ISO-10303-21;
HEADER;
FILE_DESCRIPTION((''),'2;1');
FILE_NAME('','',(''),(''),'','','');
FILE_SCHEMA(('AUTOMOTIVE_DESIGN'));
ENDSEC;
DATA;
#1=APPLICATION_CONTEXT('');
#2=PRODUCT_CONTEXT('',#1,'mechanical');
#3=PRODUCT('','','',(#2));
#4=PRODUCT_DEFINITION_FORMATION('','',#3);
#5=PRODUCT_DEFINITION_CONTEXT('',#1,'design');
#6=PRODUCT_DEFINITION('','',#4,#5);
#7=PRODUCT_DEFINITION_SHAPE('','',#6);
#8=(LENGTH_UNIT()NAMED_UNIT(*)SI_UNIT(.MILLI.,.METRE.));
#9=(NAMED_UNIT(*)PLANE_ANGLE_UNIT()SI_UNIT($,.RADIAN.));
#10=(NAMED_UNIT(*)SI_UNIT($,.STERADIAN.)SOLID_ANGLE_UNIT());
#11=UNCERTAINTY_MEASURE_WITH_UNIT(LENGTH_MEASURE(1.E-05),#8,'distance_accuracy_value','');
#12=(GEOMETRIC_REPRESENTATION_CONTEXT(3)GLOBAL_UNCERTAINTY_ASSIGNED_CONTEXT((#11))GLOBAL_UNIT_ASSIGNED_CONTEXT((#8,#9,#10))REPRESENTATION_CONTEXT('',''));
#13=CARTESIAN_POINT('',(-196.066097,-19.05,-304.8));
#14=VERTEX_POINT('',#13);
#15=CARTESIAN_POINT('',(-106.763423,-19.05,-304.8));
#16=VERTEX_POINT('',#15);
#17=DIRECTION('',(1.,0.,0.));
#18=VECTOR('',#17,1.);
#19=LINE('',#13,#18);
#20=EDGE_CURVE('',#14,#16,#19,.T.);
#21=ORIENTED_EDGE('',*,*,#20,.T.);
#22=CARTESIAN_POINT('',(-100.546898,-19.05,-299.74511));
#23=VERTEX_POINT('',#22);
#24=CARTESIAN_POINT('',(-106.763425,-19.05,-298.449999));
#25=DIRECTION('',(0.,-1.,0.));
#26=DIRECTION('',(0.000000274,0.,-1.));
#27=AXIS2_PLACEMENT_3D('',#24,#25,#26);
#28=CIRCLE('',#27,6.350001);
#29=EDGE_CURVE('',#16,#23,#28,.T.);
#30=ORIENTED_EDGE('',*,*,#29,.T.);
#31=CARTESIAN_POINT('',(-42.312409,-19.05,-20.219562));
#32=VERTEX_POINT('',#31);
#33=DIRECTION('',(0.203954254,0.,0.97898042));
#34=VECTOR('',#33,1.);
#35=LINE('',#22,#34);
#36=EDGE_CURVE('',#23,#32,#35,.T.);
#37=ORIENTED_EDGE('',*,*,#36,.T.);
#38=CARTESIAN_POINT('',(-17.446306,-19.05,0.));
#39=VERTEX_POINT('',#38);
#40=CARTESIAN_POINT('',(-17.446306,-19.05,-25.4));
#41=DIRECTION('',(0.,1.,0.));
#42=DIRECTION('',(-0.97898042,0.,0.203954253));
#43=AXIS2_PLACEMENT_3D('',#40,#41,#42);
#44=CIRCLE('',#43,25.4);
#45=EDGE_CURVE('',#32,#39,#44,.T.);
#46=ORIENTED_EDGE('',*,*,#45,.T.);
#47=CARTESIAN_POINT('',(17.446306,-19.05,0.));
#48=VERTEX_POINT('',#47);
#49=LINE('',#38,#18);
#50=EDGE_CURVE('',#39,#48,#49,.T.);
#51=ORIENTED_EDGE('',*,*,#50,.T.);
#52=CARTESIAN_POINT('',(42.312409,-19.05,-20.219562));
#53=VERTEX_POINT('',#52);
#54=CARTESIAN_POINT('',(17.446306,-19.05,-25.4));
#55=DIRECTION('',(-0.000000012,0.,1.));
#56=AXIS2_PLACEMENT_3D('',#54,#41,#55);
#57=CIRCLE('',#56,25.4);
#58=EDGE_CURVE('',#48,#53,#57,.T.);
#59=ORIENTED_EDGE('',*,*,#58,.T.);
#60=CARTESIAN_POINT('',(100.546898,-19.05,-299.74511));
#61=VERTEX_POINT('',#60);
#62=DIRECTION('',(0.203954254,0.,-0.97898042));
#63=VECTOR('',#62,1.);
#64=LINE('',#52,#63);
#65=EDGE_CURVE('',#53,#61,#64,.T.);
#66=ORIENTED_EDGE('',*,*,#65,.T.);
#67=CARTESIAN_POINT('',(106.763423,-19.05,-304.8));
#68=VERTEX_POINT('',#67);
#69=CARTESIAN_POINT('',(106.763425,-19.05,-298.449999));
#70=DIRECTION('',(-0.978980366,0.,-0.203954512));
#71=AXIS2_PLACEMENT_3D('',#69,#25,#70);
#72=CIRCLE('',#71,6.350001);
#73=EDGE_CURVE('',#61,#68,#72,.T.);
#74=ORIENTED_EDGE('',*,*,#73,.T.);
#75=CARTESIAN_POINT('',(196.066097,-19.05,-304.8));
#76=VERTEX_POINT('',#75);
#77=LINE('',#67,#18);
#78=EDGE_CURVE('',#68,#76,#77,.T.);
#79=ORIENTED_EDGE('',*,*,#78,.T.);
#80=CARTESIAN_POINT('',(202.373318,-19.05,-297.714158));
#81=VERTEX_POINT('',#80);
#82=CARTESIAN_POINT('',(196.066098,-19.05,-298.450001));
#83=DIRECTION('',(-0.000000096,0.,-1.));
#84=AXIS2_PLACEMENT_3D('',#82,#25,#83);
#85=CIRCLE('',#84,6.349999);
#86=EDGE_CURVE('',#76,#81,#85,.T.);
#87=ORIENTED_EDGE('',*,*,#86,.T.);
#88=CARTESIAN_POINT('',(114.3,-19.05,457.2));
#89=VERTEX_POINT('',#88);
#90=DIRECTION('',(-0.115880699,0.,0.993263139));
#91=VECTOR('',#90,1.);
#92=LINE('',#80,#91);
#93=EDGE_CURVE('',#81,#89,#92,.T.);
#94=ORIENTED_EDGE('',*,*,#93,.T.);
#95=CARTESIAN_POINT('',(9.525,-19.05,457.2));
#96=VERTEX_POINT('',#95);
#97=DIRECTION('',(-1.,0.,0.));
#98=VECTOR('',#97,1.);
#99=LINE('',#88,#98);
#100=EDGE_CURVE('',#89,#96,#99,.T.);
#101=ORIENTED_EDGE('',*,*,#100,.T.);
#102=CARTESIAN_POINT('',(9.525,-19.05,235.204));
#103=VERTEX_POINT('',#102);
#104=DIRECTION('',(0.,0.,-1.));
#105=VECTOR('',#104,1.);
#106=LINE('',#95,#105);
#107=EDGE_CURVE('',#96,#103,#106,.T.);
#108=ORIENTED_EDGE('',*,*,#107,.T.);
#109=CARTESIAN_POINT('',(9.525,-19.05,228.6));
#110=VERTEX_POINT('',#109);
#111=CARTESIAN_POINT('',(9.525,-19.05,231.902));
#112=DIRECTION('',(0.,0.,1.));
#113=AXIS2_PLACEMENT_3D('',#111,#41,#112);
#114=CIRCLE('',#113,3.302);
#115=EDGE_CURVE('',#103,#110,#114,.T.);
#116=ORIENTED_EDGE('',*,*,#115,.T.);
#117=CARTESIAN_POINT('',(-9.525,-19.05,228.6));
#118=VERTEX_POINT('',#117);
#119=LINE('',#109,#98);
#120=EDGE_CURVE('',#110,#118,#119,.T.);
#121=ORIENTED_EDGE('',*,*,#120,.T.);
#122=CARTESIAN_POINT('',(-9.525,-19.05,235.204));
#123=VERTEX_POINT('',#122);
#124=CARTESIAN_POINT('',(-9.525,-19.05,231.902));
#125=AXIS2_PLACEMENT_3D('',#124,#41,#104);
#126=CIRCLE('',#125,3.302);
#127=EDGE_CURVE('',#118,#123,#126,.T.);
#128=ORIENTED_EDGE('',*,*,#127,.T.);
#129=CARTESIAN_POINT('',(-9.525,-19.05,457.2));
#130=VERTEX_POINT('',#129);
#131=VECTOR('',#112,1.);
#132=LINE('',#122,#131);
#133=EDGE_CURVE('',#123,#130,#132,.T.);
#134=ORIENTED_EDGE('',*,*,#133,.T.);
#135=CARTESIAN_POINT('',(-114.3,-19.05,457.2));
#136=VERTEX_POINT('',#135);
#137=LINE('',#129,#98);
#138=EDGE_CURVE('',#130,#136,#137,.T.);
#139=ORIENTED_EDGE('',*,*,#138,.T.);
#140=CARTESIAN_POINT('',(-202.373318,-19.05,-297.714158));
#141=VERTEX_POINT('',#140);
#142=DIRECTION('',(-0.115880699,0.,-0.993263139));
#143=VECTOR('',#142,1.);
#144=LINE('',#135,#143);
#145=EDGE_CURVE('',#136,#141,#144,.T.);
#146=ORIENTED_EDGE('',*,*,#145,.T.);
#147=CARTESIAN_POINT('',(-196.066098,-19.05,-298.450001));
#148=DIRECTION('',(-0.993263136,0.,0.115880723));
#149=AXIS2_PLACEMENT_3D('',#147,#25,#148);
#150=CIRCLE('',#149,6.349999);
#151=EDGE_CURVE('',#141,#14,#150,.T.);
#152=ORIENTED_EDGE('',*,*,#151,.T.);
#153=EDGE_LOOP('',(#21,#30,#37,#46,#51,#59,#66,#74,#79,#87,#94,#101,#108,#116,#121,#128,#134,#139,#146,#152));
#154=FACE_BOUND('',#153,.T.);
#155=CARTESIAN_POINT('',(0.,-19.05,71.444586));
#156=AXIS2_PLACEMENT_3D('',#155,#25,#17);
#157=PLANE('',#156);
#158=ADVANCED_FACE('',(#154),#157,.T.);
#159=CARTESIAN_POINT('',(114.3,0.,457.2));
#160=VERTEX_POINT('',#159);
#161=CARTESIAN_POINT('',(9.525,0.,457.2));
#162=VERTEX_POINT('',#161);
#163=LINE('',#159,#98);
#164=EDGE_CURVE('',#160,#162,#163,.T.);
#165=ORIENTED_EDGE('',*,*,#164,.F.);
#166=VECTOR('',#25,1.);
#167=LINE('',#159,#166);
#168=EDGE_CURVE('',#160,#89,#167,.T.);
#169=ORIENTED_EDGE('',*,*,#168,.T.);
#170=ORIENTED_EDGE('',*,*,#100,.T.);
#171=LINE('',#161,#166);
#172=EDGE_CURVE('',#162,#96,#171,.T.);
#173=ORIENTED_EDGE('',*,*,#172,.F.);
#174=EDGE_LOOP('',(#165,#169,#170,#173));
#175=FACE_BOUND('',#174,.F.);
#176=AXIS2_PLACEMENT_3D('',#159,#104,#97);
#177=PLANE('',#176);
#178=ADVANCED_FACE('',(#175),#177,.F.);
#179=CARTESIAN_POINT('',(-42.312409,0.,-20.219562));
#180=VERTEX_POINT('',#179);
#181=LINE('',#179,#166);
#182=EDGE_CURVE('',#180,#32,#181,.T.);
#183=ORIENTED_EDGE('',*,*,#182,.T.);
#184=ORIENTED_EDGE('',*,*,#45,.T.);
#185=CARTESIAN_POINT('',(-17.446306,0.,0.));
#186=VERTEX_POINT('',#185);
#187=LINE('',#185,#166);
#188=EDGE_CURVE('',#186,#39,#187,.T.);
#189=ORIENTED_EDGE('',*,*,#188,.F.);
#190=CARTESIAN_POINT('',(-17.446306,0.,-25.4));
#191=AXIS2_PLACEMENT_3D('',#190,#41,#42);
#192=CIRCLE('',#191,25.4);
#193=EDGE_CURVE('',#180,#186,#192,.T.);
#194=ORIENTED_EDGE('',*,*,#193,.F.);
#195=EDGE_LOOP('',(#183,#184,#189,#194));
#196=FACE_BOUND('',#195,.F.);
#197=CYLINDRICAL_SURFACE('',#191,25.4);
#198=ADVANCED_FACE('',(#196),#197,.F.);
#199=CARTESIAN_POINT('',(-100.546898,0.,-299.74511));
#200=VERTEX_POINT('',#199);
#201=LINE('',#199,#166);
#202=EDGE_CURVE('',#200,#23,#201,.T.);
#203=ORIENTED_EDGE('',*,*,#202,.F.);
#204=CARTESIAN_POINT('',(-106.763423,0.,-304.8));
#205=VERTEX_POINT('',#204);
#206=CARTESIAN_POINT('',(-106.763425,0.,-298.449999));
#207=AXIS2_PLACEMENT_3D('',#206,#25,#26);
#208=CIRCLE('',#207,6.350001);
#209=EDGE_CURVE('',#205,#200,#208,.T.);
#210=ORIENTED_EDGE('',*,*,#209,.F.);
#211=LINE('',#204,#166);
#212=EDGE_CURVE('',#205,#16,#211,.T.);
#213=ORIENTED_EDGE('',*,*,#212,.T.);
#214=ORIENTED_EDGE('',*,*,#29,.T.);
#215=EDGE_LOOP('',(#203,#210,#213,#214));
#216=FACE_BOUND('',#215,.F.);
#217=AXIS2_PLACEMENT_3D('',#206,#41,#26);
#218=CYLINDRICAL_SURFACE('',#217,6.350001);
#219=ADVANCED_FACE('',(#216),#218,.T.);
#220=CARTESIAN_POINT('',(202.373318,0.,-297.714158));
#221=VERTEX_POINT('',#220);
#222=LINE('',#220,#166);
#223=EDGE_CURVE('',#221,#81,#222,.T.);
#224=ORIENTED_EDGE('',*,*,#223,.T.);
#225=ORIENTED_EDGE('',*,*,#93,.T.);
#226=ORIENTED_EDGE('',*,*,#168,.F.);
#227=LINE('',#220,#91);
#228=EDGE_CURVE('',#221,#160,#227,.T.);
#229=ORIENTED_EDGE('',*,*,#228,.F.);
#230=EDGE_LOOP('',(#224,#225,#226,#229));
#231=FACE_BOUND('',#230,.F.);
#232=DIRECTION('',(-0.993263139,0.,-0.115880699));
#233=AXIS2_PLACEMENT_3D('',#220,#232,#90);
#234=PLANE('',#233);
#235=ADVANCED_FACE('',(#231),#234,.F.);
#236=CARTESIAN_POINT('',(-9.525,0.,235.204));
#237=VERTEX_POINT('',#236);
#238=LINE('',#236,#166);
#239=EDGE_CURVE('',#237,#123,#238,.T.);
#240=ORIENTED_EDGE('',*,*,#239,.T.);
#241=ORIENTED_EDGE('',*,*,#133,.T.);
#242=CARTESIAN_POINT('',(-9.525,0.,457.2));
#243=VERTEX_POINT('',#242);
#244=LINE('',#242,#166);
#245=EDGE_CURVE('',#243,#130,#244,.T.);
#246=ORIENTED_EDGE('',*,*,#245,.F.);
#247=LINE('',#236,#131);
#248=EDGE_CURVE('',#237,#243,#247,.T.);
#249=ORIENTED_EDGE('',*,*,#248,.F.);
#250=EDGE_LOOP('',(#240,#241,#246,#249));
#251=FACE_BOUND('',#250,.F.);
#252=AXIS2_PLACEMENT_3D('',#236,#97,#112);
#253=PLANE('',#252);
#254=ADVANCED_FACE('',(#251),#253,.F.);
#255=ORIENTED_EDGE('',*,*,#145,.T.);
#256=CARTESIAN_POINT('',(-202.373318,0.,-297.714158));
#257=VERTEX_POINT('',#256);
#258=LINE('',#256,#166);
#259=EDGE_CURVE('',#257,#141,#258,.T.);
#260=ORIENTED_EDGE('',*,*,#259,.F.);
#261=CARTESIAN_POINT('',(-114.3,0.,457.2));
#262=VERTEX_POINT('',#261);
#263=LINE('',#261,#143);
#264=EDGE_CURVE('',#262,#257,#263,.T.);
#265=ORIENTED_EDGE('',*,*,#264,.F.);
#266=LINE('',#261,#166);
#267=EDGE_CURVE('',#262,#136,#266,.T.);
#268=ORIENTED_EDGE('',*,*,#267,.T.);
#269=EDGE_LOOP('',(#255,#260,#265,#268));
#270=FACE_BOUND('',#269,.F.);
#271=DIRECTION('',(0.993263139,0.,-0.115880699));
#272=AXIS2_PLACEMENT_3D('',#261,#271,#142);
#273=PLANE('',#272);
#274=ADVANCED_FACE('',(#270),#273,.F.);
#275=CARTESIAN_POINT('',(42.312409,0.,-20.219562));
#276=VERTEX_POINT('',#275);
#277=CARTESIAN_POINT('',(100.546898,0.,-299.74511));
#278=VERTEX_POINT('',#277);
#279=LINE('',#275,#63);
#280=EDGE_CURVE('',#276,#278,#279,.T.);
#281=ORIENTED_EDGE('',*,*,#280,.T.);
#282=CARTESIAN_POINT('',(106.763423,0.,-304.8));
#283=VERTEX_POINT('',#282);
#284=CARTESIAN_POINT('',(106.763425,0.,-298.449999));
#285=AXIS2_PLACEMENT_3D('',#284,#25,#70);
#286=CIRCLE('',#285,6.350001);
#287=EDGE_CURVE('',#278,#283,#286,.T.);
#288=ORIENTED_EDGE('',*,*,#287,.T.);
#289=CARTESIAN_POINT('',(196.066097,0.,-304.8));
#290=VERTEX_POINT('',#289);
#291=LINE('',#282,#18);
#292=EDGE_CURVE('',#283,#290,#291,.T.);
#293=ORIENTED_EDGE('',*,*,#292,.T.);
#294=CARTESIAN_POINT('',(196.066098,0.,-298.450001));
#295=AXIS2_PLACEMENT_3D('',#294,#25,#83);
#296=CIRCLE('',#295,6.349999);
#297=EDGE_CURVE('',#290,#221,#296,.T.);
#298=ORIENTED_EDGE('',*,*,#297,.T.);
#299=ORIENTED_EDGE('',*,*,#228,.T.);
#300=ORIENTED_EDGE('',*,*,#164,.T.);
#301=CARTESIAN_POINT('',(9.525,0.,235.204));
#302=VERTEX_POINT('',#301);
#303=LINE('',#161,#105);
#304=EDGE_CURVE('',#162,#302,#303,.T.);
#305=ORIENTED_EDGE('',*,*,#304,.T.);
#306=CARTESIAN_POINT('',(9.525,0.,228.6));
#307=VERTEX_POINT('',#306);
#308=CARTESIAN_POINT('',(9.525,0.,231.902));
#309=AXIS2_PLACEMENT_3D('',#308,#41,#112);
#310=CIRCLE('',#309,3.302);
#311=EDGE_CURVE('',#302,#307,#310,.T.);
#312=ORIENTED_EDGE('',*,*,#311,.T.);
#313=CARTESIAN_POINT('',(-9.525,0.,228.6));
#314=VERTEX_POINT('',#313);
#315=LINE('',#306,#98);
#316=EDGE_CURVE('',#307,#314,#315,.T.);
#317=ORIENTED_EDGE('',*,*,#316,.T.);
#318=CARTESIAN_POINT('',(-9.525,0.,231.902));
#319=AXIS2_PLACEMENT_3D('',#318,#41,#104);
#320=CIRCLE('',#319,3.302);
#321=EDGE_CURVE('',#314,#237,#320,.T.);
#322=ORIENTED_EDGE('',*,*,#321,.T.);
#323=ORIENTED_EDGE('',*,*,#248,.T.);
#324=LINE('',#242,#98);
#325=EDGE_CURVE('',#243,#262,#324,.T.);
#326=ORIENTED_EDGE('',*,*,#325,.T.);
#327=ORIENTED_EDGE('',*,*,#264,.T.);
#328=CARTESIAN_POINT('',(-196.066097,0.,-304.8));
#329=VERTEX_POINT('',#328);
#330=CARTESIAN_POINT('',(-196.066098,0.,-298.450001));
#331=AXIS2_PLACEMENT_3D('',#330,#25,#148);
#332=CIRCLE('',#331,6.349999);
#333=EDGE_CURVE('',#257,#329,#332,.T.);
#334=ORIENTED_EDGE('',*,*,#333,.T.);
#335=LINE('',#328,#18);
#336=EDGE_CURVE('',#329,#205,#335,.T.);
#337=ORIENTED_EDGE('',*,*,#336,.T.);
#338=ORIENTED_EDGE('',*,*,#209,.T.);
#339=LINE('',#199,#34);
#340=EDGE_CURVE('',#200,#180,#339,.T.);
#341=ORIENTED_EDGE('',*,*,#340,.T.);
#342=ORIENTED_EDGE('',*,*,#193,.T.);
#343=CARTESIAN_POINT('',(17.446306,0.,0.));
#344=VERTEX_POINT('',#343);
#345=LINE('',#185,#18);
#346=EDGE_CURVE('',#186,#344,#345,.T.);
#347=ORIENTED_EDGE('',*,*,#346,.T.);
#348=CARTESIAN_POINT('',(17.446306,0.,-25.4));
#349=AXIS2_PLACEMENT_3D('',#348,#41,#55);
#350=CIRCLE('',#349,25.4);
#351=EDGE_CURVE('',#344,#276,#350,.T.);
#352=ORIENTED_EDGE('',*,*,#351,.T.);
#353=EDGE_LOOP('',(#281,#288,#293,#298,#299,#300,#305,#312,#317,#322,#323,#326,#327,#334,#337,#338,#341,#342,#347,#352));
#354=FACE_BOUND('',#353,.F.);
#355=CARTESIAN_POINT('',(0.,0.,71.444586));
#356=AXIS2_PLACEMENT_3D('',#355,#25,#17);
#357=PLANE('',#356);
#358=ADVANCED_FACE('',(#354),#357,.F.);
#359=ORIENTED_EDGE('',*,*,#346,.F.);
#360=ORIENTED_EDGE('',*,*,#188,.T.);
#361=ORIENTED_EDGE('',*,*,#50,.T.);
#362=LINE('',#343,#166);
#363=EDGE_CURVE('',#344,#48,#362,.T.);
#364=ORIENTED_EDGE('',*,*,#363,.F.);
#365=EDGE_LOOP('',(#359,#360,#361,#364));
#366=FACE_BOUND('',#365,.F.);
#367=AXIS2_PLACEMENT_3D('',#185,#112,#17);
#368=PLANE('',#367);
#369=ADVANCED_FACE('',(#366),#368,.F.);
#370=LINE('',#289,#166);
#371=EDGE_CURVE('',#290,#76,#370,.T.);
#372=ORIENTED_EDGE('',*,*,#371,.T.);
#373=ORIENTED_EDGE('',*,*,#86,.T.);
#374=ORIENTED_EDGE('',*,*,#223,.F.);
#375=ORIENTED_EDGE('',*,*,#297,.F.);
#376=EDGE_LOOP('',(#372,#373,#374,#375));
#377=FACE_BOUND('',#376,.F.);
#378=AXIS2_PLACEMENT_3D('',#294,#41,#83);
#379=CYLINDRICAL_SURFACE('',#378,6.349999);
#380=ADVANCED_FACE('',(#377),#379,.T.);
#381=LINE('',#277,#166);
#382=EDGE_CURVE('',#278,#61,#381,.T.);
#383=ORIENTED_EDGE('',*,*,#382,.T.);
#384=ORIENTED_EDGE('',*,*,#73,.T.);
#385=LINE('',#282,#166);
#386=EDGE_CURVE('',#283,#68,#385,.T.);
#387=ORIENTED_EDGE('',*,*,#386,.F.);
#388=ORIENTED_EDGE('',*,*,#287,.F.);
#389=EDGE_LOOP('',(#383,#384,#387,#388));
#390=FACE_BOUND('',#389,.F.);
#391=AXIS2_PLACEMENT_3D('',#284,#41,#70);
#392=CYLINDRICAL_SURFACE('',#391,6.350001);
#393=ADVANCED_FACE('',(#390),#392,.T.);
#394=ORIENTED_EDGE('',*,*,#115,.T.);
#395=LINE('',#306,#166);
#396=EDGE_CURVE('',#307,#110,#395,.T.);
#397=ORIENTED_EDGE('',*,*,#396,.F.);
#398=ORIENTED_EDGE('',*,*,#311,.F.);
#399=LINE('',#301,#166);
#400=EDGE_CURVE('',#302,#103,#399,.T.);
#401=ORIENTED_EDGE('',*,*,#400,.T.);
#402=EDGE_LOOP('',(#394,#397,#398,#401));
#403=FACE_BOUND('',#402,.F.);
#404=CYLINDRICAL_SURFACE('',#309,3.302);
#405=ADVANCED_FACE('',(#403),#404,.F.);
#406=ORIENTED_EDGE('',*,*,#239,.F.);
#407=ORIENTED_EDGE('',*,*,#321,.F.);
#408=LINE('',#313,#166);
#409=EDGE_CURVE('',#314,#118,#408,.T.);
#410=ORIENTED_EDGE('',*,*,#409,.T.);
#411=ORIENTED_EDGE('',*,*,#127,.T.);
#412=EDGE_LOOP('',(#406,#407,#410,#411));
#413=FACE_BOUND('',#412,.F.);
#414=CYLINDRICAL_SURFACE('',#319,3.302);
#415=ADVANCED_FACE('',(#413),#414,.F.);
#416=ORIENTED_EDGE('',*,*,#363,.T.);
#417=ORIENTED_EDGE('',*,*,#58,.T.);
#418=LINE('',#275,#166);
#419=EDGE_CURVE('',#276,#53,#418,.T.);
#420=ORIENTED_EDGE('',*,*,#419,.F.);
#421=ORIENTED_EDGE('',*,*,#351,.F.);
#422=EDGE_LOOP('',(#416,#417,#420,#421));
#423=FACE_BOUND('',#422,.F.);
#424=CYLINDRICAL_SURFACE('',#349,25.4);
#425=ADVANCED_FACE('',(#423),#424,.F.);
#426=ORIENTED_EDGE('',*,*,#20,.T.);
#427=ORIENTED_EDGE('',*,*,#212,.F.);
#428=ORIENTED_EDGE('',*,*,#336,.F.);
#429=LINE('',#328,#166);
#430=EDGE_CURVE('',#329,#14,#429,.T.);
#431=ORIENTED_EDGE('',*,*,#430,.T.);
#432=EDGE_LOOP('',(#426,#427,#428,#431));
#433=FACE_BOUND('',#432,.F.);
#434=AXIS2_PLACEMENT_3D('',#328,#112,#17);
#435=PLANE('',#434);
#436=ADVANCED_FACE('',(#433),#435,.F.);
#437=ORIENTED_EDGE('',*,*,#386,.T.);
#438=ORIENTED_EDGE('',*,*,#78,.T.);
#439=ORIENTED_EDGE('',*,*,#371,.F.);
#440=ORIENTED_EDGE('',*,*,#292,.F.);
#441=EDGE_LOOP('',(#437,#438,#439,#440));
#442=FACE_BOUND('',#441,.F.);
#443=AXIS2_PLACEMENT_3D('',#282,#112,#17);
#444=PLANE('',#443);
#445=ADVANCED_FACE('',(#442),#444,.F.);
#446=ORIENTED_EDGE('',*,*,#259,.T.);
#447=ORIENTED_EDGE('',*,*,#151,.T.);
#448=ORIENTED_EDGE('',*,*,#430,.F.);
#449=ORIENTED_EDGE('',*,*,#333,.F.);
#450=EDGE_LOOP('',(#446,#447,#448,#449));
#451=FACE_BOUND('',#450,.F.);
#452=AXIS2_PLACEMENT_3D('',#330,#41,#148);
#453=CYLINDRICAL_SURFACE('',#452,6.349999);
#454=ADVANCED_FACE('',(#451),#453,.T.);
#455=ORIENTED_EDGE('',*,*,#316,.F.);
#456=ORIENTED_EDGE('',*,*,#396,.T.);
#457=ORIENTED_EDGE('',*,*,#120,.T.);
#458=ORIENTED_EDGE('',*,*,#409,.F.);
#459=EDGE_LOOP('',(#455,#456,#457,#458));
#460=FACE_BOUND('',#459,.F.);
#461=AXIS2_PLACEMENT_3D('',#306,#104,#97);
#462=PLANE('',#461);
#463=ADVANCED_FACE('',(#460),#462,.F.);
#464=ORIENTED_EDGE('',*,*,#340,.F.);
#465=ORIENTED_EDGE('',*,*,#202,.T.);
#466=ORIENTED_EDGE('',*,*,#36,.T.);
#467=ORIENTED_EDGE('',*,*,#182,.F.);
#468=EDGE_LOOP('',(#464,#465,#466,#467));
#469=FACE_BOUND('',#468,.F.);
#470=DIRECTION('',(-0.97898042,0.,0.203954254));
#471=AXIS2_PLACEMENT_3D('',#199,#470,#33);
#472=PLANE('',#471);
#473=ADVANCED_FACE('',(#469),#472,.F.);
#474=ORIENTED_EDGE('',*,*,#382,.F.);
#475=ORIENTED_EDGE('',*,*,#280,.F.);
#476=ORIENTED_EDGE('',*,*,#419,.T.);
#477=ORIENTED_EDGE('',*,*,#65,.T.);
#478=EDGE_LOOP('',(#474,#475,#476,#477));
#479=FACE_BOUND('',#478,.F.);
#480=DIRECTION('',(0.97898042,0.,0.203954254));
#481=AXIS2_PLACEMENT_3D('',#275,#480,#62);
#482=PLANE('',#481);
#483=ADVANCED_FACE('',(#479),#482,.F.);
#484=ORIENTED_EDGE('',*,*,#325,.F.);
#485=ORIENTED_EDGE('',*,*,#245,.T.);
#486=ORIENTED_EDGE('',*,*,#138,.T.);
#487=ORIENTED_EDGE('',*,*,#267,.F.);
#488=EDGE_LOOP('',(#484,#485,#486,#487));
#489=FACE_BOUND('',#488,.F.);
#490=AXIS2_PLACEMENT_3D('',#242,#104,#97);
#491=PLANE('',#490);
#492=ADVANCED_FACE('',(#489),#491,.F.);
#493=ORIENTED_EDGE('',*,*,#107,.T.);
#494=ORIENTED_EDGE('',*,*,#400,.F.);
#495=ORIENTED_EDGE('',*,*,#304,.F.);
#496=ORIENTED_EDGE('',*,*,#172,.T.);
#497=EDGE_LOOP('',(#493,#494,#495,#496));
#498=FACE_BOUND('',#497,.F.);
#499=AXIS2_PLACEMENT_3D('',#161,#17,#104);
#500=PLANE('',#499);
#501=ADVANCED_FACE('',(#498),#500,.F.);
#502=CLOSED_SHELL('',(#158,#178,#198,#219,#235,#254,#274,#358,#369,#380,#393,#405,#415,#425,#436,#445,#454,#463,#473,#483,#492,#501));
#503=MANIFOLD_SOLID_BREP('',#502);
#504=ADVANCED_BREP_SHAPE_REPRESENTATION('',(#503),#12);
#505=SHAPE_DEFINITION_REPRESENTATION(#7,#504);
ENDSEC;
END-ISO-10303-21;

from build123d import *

# Parameters (mm, degrees)
F1_DEPTH = 19.05


with BuildPart() as f1:
    # F0 (on Front) → F1 (new body)
    with BuildSketch(Plane.XZ):
        with BuildLine():
            Line((-114.3, 457.2), (-202.373318, -297.714158))
            ThreePointArc((-202.373318, -297.714158), (-200.809256, -302.67196), (-196.066097, -304.8))
            Line((-196.066097, -304.8), (-106.763423, -304.8))
            ThreePointArc((-106.763423, -304.8), (-102.757269, -303.376786), (-100.546898, -299.74511))
            Line((-100.546898, -299.74511), (-42.312409, -20.219562))
            ThreePointArc((-42.312409, -20.219562), (-33.470926, -5.692855), (-17.446306, 0))
            Line((-17.446306, 0), (17.446306, 0))
            ThreePointArc((17.446306, 0), (33.470926, -5.692855), (42.312409, -20.219562))
            Line((42.312409, -20.219562), (100.546898, -299.74511))
            ThreePointArc((100.546898, -299.74511), (102.757269, -303.376786), (106.763423, -304.8))
            Line((106.763423, -304.8), (196.066097, -304.8))
            ThreePointArc((196.066097, -304.8), (200.809256, -302.67196), (202.373318, -297.714158))
            Line((202.373318, -297.714158), (114.3, 457.2))
            Line((114.3, 457.2), (9.525, 457.2))
            Line((9.525, 457.2), (9.525, 235.204))
            ThreePointArc((9.525, 235.204), (12.827, 231.902), (9.525, 228.6))
            Line((9.525, 228.6), (-9.525, 228.6))
            ThreePointArc((-9.525, 228.6), (-12.827, 231.902), (-9.525, 235.204))
            Line((-9.525, 235.204), (-9.525, 457.2))
            Line((-9.525, 457.2), (-114.3, 457.2))
        make_face()
    extrude(amount=F1_DEPTH)


solid = f1.part
